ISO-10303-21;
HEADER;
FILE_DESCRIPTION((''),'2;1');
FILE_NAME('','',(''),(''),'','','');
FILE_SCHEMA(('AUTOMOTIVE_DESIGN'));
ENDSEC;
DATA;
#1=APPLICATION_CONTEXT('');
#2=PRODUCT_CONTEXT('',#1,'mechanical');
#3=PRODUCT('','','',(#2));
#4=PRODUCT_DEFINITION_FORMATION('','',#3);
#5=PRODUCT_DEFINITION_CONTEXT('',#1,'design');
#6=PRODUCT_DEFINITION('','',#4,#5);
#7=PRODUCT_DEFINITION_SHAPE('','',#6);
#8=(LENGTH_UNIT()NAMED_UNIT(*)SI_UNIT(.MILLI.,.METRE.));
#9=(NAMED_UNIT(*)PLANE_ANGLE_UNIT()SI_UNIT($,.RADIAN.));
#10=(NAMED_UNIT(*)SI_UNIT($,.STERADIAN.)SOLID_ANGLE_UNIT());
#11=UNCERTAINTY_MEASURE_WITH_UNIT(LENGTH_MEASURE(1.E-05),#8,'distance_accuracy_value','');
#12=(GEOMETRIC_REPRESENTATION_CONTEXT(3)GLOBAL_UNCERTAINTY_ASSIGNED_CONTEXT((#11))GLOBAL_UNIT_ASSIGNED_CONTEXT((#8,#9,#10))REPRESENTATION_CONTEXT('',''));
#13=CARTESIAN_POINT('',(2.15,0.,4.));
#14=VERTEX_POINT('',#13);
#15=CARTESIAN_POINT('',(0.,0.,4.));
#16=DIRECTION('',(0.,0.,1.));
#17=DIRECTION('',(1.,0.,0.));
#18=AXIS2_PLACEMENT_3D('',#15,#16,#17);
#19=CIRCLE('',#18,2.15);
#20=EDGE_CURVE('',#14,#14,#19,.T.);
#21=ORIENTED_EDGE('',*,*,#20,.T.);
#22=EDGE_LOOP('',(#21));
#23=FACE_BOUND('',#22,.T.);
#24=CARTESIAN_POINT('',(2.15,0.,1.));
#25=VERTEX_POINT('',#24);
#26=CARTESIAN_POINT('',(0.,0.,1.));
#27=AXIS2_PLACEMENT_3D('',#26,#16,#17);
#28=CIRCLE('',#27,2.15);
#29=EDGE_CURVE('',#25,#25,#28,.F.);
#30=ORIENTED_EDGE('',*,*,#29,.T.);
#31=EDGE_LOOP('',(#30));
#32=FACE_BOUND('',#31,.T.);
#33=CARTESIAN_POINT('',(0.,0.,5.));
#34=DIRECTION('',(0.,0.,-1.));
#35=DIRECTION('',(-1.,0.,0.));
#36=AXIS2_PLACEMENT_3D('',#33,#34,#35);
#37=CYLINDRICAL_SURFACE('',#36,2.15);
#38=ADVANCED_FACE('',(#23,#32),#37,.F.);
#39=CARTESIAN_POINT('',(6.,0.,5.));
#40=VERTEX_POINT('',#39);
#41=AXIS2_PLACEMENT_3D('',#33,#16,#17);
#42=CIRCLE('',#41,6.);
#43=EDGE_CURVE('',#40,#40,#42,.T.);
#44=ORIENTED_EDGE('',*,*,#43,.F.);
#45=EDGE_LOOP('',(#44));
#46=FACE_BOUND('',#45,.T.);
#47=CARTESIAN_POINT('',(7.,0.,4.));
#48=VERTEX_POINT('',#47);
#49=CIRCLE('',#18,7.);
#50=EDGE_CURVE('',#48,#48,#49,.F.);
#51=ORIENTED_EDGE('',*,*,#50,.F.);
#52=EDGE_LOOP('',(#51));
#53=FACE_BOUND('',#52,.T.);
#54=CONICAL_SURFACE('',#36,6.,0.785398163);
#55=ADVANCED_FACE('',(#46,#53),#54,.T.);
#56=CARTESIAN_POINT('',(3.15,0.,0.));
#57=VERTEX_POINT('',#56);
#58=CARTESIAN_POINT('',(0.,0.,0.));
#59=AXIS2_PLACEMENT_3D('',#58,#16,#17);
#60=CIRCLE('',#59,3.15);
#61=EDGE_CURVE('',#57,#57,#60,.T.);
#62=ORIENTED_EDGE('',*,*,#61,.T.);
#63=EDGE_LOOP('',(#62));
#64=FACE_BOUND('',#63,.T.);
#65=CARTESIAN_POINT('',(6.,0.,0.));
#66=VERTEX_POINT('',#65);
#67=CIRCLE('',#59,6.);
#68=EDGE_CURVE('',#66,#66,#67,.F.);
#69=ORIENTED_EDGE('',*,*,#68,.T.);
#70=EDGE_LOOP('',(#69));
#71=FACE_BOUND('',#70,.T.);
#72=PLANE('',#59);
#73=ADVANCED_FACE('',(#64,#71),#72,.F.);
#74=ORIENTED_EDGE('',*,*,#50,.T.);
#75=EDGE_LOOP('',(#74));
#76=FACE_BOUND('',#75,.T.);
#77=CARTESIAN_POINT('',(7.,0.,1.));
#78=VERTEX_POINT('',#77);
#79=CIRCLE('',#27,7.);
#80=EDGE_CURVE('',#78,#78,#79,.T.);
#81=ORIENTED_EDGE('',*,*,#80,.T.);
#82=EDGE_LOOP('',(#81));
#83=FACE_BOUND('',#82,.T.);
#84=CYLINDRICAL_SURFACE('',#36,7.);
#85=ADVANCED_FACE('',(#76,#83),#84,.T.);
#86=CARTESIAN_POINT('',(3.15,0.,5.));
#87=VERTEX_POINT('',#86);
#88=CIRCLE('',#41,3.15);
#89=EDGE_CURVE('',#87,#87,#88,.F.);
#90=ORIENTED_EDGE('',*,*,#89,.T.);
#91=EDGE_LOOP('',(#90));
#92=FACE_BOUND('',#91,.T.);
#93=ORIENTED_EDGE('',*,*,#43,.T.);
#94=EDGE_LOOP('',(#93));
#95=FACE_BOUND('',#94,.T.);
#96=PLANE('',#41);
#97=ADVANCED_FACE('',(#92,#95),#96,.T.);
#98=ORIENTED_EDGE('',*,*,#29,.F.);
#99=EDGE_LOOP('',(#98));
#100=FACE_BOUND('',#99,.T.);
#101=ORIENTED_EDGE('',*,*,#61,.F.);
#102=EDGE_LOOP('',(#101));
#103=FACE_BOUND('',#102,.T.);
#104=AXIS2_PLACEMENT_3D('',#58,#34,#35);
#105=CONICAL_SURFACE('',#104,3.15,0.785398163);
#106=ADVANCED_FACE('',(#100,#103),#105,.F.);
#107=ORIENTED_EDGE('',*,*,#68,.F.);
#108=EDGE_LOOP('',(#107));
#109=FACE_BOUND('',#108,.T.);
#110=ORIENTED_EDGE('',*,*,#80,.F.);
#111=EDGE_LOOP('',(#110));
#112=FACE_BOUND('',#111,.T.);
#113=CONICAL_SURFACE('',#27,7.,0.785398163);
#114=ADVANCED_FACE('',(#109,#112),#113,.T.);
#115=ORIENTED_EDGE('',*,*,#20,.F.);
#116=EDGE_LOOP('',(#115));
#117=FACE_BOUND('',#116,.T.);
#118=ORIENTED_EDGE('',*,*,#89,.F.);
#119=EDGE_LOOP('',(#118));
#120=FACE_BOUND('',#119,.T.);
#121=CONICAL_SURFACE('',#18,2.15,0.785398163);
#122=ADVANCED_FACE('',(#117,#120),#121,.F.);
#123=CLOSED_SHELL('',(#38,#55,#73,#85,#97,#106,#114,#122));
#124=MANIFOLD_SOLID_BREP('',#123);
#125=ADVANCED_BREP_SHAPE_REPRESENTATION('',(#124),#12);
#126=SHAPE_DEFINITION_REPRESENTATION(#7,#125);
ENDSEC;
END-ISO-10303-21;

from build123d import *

# Parameters (mm, degrees)
SKETCH_1_R      = 7
SKETCH_1_R_2    = 2.15
EXTRUDE_1_DEPTH = 5
CHAMFER_1_SIZE  = 1


with BuildPart() as part:
    # Эскиз1 → Бобышка-Вытянуть1 (new body)
    with BuildSketch(Plane.XY):
        Circle(SKETCH_1_R)
        Circle(SKETCH_1_R_2, mode=Mode.SUBTRACT)
    extrude(amount=EXTRUDE_1_DEPTH)

    # Фаска1
    chamfer_1_edges = [part.edges().sort_by_distance(p)[0] for p in [
        (-7, 0, 0),
        (-7, 0, 5),
        (-2.15, 0, 0),
        (-2.15, 0, 5),
    ]]
    chamfer(chamfer_1_edges, length=CHAMFER_1_SIZE)


solid = part.part
